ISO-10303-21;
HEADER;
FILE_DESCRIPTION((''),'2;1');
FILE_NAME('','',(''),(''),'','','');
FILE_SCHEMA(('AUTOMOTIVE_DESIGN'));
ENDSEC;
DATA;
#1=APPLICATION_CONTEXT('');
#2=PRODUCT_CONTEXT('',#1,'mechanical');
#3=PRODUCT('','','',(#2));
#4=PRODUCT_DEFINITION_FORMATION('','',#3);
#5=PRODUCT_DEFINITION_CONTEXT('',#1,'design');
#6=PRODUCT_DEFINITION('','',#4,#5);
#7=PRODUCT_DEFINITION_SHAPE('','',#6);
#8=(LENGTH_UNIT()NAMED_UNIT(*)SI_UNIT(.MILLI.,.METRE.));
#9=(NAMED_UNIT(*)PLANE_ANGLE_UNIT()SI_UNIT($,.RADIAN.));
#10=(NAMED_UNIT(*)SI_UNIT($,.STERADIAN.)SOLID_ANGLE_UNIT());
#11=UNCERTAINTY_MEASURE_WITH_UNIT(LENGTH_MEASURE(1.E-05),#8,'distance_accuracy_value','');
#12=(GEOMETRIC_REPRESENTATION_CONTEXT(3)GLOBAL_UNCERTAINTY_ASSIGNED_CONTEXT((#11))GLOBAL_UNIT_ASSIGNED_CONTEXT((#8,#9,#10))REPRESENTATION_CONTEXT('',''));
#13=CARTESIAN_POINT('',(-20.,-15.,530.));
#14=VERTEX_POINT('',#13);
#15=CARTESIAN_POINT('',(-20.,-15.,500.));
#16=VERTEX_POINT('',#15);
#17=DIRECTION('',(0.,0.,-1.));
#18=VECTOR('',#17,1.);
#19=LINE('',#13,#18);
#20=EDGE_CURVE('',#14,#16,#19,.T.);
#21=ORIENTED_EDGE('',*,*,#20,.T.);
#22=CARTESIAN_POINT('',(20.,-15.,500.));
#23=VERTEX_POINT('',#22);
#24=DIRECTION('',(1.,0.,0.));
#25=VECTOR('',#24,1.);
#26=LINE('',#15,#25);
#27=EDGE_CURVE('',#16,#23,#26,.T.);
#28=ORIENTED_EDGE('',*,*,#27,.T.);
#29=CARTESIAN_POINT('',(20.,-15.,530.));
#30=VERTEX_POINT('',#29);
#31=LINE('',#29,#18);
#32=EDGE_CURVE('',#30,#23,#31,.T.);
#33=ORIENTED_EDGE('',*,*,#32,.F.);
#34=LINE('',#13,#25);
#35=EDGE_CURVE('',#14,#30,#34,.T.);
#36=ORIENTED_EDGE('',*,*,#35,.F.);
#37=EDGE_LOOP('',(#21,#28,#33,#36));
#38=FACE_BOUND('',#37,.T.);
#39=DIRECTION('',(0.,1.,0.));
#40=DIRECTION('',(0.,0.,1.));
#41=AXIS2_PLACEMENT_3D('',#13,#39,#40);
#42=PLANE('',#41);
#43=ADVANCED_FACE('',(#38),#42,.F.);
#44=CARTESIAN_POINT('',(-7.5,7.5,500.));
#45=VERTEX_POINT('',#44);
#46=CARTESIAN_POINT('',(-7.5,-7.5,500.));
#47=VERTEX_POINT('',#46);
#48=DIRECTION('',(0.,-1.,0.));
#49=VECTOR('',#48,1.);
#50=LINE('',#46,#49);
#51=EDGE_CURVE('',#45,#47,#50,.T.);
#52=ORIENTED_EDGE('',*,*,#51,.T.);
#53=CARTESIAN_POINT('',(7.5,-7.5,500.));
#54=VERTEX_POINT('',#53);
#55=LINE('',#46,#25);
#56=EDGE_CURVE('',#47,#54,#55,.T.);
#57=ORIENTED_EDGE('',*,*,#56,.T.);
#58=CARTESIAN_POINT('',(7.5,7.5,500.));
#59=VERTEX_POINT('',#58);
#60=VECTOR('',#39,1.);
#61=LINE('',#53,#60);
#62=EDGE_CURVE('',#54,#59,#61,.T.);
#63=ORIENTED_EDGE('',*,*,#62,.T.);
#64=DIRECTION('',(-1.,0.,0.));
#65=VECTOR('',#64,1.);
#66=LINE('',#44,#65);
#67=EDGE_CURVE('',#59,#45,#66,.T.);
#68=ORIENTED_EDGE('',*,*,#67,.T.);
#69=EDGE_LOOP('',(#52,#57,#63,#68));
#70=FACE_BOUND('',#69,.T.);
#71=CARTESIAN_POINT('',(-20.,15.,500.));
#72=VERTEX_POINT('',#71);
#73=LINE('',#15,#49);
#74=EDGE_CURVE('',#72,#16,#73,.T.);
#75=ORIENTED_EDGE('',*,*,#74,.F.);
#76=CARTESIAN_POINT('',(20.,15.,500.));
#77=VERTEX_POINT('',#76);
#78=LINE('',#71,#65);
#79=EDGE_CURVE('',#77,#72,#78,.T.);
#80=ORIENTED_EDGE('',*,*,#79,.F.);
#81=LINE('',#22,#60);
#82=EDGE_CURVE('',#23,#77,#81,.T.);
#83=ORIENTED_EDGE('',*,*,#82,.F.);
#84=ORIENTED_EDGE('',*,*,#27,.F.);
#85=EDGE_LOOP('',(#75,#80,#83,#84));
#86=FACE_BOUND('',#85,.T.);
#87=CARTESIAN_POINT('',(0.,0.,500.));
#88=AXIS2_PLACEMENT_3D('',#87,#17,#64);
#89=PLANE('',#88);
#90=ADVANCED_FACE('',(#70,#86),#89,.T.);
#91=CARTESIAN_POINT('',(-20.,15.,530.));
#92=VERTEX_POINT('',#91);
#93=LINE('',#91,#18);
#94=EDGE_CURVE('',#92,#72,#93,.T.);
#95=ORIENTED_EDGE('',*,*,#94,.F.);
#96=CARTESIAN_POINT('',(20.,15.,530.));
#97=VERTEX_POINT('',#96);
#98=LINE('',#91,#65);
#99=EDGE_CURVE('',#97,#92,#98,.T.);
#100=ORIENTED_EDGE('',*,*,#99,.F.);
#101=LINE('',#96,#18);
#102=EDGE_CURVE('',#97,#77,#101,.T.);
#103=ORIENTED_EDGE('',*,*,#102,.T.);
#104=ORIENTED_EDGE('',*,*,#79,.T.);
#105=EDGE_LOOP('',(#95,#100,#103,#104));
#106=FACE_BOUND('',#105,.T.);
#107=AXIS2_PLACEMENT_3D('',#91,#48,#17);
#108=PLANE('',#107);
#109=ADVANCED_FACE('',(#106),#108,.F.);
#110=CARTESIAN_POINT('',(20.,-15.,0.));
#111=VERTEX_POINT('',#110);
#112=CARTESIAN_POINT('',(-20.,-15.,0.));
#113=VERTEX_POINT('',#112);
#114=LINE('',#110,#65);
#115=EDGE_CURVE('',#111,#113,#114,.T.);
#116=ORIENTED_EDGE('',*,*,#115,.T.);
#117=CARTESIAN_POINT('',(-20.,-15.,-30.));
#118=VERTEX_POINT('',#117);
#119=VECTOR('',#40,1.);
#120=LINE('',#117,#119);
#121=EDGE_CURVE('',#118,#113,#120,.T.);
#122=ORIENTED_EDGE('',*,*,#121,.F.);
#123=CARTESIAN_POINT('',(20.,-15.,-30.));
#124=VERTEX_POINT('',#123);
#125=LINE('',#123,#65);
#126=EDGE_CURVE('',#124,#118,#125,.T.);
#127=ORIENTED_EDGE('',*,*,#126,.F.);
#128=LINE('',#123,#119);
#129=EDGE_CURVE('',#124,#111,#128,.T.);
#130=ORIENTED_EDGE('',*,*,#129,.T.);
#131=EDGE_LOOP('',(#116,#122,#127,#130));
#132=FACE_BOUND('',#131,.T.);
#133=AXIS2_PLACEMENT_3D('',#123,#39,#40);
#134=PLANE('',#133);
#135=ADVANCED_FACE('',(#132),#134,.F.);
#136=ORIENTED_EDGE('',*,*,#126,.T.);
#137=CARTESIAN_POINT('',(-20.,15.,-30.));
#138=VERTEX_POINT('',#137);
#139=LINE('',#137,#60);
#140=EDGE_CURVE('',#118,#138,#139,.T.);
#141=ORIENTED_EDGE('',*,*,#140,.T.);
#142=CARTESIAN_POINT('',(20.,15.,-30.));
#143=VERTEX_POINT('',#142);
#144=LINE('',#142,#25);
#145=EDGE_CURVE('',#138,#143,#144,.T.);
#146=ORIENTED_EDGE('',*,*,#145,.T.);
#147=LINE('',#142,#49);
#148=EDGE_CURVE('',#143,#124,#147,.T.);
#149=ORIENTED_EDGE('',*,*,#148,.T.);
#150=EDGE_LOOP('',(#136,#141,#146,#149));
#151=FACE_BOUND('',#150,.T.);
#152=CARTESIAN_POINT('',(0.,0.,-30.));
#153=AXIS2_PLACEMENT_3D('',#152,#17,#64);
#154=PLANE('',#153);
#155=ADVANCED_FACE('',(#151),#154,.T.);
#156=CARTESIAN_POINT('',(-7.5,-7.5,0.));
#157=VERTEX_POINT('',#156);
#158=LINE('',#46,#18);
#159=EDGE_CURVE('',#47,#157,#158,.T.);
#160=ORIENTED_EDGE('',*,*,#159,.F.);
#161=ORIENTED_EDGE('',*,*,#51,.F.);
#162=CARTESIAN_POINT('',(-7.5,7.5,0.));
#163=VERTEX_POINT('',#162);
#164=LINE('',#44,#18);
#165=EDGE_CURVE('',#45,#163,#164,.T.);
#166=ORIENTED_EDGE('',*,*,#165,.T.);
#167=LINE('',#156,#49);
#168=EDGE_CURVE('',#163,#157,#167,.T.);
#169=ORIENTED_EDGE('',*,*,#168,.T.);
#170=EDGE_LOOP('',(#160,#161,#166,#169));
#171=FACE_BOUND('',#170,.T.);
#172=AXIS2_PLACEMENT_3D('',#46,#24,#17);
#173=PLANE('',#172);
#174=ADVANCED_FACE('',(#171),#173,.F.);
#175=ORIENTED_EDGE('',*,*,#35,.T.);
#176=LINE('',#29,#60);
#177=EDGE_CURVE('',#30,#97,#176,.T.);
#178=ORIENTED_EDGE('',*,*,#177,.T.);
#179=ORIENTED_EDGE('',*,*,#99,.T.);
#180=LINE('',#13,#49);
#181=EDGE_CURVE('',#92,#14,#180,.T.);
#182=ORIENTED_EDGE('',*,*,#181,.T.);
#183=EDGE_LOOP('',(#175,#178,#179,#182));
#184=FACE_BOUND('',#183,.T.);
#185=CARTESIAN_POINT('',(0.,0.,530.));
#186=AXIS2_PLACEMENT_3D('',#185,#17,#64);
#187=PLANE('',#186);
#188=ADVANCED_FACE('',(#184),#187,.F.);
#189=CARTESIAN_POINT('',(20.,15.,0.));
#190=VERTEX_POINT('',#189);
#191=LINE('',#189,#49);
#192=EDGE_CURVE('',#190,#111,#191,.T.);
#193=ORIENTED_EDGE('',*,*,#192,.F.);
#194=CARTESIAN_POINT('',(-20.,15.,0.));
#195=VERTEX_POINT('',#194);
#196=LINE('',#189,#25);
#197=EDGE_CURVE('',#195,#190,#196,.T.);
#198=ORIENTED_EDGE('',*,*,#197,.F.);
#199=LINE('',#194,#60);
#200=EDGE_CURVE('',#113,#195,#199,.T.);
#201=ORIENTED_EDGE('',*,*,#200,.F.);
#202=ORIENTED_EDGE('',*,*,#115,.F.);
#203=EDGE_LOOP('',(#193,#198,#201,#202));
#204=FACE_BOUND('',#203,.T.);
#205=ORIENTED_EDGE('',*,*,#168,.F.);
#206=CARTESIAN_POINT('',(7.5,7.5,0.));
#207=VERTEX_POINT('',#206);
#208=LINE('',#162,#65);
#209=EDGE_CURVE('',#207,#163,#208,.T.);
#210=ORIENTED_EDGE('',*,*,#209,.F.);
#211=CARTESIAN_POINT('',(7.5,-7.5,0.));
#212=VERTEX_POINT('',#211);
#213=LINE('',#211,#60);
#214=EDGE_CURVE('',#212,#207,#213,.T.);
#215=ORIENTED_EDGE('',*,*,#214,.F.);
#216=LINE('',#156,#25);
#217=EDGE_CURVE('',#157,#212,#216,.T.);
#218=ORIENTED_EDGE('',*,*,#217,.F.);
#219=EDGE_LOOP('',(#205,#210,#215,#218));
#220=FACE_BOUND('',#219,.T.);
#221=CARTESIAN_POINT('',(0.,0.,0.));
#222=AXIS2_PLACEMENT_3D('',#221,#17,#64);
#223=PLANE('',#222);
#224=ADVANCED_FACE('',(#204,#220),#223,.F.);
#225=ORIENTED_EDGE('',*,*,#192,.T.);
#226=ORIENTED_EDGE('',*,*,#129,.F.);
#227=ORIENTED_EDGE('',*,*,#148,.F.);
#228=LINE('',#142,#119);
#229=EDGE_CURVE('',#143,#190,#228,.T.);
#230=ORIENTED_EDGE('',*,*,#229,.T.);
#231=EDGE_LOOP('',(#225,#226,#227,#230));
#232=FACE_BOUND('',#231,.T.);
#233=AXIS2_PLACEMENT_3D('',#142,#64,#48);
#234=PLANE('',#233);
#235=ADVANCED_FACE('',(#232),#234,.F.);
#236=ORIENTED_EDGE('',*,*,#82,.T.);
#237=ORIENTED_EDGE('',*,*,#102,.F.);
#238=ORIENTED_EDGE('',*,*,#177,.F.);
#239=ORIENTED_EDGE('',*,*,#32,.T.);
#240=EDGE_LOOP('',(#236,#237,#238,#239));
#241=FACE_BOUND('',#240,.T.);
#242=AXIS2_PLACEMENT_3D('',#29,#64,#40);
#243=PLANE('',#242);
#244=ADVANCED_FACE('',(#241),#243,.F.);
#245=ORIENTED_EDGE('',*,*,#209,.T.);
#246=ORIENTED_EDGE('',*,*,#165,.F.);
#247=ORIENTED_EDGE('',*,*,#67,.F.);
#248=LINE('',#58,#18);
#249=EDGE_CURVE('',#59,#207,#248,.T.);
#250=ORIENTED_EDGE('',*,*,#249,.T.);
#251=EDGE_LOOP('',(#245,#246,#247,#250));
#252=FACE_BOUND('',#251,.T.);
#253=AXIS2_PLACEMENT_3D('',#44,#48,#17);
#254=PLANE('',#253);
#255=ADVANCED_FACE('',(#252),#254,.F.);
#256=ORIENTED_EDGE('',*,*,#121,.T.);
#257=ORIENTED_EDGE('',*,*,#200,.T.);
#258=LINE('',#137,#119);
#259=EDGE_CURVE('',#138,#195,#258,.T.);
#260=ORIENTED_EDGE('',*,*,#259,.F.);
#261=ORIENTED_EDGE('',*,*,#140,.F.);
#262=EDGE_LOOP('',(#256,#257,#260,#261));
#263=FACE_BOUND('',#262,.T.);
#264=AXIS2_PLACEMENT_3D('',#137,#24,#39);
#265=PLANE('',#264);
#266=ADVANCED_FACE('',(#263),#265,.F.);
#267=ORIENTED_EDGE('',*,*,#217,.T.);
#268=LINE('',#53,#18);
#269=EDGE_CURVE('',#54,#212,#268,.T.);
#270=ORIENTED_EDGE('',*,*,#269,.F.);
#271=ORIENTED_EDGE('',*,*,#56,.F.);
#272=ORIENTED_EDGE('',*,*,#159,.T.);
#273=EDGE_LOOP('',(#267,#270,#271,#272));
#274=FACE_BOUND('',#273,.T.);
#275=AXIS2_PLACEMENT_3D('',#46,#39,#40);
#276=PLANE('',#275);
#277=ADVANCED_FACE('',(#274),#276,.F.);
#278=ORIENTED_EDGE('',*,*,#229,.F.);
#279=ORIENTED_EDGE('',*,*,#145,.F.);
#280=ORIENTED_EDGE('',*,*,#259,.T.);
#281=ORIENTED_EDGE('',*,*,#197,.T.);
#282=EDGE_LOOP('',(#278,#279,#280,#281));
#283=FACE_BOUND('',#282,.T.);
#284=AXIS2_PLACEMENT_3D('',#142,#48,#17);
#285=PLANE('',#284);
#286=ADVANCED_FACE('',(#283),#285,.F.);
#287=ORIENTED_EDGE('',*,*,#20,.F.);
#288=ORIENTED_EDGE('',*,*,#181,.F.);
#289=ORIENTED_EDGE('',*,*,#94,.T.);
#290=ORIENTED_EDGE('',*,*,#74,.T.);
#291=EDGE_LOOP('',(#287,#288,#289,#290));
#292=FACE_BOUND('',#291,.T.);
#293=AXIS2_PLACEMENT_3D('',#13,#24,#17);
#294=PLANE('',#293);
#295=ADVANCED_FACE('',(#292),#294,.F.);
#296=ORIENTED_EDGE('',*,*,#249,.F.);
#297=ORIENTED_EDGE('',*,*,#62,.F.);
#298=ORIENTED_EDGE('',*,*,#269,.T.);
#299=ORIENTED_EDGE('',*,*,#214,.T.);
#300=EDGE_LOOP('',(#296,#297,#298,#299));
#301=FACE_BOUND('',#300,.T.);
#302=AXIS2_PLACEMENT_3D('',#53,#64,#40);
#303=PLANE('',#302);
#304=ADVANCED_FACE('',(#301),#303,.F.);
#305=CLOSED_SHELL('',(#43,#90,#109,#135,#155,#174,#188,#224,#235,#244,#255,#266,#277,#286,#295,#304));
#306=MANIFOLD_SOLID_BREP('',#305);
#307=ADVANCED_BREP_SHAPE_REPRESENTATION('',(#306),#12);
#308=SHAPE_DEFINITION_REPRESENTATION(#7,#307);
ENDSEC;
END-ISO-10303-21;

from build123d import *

# Parameters (mm, degrees)
SKETCH_1_W      = 15
SKETCH_1_H      = 15
EXTRUDE_1_DEPTH = 500
SKETCH_2_W      = 40
SKETCH_2_H      = 30
EXTRUDE_2_DEPTH = 30
SKETCH_3_W      = 40
SKETCH_3_H      = 30
EXTRUDE_3_DEPTH = 30


with BuildPart() as part:
    # 草图1 → 凸台-拉伸1 (new body)
    with BuildSketch(Plane.XY):
        Rectangle(SKETCH_1_W, SKETCH_1_H)
    extrude(amount=EXTRUDE_1_DEPTH)

    # 草图2 → 凸台-拉伸2 (add)
    with BuildSketch(Plane.XY.offset(500)):
        Rectangle(SKETCH_2_W, SKETCH_2_H)
    extrude(amount=EXTRUDE_2_DEPTH)

    # 草图3 → 凸台-拉伸3 (add)
    with BuildSketch(Plane(origin=(0, 0, 0), x_dir=(-1, 0, 0), z_dir=(0, 0, -1))):
        Rectangle(SKETCH_3_W, SKETCH_3_H)
    extrude(amount=EXTRUDE_3_DEPTH)


solid = part.part
